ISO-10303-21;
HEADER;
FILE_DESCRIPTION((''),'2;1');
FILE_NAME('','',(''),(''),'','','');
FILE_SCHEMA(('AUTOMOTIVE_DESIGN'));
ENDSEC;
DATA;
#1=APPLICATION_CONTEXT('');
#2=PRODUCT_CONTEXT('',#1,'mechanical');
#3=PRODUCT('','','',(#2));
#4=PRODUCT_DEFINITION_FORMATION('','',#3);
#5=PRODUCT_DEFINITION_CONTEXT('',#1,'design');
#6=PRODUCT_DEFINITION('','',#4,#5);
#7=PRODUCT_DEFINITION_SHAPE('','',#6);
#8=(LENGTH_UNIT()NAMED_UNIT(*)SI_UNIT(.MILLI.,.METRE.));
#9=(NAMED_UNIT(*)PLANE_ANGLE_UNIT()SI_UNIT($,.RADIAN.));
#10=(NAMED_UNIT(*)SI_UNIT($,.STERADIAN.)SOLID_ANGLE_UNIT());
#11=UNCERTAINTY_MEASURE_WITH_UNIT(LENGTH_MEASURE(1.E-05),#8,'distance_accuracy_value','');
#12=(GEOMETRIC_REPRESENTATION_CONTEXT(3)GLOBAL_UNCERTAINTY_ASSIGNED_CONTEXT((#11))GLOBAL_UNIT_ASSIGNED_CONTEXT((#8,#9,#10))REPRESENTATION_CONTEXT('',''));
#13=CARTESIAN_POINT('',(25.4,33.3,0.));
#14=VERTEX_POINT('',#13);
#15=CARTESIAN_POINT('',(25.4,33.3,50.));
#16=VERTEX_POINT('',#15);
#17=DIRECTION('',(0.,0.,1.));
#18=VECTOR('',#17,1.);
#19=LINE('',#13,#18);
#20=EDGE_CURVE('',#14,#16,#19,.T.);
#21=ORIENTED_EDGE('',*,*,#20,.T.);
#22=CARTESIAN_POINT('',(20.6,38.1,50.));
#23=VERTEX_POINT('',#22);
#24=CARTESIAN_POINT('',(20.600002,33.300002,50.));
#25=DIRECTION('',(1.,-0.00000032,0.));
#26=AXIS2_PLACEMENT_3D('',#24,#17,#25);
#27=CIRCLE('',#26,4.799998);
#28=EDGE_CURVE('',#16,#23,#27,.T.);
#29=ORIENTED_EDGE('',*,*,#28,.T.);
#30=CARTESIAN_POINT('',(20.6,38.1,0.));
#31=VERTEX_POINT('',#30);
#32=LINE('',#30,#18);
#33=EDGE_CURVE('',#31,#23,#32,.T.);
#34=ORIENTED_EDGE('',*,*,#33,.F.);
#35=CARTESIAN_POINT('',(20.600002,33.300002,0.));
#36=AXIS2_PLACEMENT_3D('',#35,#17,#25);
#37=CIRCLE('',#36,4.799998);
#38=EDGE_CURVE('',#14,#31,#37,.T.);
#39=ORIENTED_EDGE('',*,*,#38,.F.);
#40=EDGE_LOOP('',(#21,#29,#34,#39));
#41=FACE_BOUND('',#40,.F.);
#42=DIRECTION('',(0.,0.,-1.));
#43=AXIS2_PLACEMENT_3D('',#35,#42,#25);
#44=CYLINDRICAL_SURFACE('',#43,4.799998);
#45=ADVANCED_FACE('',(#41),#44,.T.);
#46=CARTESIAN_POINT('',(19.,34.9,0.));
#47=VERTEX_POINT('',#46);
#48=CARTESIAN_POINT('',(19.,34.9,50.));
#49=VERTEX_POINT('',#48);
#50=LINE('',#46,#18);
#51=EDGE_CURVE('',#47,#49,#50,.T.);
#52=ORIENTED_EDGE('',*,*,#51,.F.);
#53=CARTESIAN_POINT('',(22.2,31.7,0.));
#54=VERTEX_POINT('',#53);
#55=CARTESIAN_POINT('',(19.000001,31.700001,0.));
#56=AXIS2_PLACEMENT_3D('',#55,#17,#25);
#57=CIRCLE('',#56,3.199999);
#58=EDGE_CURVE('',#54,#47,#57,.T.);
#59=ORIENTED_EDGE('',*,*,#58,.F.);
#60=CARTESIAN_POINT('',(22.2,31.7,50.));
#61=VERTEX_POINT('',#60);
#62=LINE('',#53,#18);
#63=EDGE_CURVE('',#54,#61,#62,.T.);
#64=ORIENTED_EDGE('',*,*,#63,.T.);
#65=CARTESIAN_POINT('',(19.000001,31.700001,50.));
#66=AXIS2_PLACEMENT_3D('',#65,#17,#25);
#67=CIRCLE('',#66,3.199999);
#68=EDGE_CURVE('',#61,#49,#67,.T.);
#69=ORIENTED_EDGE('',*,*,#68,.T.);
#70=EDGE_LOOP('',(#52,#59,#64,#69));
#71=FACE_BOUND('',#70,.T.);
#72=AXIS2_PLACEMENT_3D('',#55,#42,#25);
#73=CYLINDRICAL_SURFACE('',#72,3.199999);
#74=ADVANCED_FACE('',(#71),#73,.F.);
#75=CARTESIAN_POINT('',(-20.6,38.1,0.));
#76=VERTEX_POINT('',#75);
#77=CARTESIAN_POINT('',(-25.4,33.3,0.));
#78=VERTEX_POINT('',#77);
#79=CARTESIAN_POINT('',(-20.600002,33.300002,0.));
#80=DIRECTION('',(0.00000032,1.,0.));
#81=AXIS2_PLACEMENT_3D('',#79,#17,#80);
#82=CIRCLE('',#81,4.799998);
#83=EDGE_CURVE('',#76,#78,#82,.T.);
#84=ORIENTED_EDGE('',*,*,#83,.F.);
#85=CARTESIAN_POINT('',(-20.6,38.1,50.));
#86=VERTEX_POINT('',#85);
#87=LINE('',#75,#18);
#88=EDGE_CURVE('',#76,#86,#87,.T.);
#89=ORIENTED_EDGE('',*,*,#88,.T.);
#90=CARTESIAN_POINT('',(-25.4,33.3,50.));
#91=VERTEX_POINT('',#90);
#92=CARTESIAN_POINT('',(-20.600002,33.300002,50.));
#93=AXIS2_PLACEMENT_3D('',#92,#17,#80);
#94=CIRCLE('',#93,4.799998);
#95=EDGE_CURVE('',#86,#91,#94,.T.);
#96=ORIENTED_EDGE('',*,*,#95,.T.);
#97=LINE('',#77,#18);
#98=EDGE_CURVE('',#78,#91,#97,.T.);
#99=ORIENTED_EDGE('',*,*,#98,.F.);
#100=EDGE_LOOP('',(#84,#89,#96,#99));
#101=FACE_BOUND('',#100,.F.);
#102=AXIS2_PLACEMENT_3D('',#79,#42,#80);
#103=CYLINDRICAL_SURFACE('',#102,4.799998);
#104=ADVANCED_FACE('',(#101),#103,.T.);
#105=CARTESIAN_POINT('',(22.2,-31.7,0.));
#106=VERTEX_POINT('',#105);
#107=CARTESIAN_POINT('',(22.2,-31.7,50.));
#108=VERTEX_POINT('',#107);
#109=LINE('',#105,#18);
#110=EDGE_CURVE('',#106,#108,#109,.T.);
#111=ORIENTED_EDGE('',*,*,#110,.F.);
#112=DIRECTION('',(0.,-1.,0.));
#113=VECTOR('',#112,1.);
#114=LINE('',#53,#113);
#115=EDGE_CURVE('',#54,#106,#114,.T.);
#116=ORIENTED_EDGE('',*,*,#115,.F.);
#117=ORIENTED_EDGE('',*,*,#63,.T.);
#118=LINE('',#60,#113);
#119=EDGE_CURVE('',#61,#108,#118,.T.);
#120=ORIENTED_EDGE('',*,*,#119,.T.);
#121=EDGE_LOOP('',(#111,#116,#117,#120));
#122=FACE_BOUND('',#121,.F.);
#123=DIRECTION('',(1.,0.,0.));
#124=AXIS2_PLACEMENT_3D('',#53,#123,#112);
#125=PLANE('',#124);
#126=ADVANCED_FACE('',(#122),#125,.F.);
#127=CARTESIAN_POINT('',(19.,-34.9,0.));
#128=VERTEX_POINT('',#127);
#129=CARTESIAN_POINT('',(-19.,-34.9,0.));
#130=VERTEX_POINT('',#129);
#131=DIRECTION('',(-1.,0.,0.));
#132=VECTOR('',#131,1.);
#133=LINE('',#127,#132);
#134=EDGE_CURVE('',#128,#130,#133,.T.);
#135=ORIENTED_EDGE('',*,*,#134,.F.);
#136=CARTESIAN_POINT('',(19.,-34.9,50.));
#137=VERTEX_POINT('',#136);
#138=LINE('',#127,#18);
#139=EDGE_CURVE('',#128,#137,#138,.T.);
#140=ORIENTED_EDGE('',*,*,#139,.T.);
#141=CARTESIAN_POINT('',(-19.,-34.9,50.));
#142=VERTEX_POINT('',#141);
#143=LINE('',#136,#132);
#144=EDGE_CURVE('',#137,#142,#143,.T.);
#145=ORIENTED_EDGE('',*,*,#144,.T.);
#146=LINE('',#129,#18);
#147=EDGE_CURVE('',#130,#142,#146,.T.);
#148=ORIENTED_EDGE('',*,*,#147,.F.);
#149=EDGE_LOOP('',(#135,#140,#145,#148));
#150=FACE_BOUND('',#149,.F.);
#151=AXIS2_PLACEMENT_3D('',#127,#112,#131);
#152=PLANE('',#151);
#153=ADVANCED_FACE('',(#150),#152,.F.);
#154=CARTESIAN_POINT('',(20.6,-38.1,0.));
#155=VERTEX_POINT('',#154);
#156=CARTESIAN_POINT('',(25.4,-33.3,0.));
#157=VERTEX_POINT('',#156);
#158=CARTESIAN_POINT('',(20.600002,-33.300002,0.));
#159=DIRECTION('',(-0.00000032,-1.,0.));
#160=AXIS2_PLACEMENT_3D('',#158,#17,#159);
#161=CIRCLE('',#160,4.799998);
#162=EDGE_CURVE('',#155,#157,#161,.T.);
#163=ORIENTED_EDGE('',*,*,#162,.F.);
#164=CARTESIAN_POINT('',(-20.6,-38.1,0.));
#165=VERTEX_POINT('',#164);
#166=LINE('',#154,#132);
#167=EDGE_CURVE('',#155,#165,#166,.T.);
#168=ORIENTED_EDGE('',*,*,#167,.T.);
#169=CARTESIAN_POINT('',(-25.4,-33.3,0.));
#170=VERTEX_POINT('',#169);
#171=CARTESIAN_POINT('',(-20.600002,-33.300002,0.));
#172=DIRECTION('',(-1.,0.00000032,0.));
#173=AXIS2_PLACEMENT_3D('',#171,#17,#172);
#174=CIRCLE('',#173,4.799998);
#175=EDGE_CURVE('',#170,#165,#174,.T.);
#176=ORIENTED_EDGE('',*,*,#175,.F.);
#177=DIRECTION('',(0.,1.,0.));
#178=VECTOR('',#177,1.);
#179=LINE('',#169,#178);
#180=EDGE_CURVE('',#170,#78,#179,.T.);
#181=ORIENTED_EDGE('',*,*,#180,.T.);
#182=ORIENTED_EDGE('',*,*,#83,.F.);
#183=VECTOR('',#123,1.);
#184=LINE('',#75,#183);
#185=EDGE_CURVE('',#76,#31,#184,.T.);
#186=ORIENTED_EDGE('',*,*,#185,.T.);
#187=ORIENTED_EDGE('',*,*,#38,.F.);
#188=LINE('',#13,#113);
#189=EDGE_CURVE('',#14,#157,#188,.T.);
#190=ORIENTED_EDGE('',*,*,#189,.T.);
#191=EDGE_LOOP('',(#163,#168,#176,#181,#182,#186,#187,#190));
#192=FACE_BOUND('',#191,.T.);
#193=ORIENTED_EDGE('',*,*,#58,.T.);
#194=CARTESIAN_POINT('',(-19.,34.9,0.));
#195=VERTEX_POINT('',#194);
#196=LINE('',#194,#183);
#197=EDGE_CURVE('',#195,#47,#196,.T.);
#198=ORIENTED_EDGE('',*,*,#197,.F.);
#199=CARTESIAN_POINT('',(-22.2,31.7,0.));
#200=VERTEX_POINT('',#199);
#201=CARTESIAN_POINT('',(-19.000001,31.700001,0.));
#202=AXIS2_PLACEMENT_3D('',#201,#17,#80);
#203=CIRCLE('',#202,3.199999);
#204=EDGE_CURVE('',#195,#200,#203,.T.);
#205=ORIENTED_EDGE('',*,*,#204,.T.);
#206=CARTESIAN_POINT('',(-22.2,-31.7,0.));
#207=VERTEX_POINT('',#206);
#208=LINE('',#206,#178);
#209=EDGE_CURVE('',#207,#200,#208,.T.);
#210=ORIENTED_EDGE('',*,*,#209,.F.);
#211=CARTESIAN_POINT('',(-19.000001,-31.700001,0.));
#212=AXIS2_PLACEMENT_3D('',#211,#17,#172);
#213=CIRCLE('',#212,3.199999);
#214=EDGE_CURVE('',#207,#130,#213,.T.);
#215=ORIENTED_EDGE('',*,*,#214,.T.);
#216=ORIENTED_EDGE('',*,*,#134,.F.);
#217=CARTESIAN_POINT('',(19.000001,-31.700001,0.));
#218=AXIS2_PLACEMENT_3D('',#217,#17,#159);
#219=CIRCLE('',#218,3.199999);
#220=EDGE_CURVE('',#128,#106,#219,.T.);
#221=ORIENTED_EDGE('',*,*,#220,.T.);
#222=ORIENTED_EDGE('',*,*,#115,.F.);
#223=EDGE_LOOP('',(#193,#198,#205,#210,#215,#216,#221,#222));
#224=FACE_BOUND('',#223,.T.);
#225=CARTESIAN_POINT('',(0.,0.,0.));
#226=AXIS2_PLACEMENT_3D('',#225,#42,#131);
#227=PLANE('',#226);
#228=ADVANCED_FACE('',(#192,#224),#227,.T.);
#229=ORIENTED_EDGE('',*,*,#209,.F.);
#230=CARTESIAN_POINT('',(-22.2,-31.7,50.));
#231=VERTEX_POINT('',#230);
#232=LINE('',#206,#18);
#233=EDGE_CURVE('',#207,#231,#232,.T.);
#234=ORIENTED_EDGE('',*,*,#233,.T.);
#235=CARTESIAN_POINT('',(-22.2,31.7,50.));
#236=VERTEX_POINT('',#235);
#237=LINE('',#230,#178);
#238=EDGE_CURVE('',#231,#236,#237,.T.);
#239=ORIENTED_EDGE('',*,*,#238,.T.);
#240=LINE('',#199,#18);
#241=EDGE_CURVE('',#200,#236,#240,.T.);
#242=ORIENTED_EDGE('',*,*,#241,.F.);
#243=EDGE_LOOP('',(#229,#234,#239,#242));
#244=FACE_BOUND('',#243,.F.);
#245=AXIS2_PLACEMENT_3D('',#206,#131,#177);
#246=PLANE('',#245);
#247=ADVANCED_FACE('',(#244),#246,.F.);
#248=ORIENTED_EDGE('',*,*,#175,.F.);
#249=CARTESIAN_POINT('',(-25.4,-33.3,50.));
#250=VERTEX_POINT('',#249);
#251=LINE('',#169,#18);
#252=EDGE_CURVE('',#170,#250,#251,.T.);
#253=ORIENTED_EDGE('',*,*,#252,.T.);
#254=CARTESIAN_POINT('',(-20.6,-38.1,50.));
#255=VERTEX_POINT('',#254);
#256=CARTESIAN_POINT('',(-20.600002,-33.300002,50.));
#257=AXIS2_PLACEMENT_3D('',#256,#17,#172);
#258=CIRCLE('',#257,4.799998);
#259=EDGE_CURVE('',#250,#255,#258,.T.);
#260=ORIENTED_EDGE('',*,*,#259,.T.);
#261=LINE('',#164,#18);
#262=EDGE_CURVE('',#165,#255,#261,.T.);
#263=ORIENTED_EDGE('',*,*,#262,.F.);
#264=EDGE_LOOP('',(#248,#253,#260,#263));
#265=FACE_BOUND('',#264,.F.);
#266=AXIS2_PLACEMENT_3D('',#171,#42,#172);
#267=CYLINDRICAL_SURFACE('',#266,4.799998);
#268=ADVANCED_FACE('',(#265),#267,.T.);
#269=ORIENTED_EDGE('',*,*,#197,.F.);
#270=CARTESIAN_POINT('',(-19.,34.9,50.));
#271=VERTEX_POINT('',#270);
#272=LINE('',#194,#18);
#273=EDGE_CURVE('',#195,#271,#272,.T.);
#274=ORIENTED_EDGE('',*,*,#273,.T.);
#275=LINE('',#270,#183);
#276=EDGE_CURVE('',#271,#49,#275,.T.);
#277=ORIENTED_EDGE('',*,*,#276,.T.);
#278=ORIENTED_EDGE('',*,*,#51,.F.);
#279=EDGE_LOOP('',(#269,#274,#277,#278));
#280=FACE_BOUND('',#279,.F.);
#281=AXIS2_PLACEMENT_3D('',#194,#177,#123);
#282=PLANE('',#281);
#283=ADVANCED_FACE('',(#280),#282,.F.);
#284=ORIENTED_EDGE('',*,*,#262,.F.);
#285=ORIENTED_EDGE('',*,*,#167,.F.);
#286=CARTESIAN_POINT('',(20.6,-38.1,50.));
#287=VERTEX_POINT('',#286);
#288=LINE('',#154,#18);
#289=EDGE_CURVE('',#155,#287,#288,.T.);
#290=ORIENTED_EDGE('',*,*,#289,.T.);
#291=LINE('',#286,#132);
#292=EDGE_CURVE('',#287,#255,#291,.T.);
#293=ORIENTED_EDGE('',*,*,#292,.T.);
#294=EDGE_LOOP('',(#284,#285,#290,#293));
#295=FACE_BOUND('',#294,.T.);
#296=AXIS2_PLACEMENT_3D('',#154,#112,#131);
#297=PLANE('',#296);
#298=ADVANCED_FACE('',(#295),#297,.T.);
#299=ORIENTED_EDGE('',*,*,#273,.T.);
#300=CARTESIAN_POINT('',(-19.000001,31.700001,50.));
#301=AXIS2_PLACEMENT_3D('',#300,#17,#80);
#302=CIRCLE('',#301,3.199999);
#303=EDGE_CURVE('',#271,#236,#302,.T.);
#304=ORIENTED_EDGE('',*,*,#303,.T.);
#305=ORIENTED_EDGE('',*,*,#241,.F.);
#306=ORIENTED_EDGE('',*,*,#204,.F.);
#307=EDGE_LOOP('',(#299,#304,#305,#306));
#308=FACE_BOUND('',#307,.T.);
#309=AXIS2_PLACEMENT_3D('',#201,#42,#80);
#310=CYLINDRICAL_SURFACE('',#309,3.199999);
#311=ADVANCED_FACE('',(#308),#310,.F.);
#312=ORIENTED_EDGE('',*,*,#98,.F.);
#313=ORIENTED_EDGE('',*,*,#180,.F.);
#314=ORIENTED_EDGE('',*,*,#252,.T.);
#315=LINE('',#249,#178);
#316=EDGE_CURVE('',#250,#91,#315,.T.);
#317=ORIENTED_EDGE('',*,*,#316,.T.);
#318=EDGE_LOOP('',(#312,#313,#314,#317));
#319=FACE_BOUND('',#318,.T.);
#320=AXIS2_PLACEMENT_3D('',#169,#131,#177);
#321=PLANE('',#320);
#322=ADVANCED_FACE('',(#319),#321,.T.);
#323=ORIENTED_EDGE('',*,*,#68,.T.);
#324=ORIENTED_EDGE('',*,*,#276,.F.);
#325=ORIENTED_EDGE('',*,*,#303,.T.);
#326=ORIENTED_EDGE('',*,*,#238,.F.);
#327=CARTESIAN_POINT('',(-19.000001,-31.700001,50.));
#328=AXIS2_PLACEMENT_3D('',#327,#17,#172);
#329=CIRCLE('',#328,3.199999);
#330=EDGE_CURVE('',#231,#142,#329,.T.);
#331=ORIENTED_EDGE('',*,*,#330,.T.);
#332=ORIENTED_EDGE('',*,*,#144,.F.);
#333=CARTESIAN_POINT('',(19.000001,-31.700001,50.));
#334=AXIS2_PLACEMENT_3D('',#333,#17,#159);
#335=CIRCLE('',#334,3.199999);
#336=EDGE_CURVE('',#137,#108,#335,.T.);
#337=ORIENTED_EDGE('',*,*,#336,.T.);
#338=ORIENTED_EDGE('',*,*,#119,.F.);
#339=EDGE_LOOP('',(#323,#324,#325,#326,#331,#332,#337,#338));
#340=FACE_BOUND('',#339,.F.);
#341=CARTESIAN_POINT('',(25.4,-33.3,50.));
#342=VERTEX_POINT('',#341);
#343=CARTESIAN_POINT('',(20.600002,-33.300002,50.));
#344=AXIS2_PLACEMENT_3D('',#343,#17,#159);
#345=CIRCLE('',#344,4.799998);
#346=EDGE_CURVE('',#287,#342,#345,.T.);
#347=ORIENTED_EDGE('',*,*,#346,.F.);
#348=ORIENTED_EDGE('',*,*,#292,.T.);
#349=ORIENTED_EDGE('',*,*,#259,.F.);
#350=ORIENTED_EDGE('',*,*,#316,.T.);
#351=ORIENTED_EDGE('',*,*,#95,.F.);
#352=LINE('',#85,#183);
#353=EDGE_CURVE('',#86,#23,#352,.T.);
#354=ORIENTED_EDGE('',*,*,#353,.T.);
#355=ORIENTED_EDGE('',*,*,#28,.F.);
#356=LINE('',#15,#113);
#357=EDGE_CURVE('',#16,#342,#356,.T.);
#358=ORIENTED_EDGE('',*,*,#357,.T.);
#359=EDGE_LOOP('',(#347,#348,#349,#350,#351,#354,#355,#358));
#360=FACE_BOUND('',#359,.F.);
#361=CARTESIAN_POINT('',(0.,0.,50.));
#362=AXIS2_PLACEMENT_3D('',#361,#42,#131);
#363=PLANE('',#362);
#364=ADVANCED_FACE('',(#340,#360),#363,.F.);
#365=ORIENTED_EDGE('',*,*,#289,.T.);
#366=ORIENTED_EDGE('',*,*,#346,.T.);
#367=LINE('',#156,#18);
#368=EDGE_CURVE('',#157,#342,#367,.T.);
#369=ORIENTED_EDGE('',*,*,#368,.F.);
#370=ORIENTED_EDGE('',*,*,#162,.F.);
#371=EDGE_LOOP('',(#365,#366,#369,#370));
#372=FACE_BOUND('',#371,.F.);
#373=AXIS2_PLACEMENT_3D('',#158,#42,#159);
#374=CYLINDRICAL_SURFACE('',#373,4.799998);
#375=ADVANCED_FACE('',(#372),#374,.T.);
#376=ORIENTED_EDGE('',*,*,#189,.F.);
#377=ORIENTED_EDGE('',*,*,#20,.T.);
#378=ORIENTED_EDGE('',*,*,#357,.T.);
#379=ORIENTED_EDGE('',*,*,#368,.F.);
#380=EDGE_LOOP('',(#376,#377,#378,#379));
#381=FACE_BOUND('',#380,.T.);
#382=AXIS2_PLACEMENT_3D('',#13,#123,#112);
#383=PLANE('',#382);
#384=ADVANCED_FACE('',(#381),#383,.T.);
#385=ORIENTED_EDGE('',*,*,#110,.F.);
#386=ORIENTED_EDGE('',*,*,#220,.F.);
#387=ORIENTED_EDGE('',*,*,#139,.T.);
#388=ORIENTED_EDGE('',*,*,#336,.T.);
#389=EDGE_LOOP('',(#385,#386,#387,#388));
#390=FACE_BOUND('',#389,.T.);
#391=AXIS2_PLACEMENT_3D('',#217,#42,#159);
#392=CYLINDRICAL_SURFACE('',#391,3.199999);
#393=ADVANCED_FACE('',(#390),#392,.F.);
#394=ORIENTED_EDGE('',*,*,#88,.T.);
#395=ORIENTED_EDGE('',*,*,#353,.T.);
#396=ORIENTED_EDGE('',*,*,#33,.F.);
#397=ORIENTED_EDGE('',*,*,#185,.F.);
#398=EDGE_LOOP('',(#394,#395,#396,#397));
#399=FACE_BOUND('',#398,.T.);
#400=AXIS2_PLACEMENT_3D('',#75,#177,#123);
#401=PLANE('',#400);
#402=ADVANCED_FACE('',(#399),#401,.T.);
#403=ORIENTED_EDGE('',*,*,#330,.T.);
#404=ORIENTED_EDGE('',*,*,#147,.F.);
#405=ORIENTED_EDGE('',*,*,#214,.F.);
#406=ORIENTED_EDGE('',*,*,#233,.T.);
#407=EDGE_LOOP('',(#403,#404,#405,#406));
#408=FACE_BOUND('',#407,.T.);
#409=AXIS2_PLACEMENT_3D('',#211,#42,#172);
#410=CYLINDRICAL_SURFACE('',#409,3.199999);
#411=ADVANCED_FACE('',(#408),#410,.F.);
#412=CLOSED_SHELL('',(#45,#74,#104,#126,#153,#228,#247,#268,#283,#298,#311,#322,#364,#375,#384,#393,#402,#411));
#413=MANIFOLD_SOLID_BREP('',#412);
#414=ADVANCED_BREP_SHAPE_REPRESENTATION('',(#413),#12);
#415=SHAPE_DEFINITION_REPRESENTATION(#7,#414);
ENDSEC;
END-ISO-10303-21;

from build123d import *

# Parameters (mm, degrees)
EXTRUDE_DEPTH = 50


with BuildPart() as part:
    # Sketch → Extrude (new body)
    with BuildSketch(Plane.XY):
        with BuildLine():
            Line((-20.6, 38.1), (20.6, 38.1))
            ThreePointArc((25.4, 33.3), (23.994113, 36.694113), (20.6, 38.1))
            Line((25.4, 33.3), (25.4, -33.3))
            ThreePointArc((20.6, -38.1), (23.994113, -36.694113), (25.4, -33.3))
            Line((20.6, -38.1), (-20.6, -38.1))
            ThreePointArc((-25.4, -33.3), (-23.994113, -36.694113), (-20.6, -38.1))
            Line((-25.4, -33.3), (-25.4, 33.3))
            ThreePointArc((-20.6, 38.1), (-23.994113, 36.694113), (-25.4, 33.3))
        make_face()
        with BuildLine():
            Line((-19, 34.9), (19, 34.9))
            ThreePointArc((22.2, 31.7), (21.262742, 33.962742), (19, 34.9))
            Line((22.2, 31.7), (22.2, -31.7))
            ThreePointArc((19, -34.9), (21.262742, -33.962742), (22.2, -31.7))
            Line((19, -34.9), (-19, -34.9))
            ThreePointArc((-22.2, -31.7), (-21.262742, -33.962742), (-19, -34.9))
            Line((-22.2, -31.7), (-22.2, 31.7))
            ThreePointArc((-19, 34.9), (-21.262742, 33.962742), (-22.2, 31.7))
        make_face(mode=Mode.SUBTRACT)
    extrude(amount=EXTRUDE_DEPTH)


solid = part.part
